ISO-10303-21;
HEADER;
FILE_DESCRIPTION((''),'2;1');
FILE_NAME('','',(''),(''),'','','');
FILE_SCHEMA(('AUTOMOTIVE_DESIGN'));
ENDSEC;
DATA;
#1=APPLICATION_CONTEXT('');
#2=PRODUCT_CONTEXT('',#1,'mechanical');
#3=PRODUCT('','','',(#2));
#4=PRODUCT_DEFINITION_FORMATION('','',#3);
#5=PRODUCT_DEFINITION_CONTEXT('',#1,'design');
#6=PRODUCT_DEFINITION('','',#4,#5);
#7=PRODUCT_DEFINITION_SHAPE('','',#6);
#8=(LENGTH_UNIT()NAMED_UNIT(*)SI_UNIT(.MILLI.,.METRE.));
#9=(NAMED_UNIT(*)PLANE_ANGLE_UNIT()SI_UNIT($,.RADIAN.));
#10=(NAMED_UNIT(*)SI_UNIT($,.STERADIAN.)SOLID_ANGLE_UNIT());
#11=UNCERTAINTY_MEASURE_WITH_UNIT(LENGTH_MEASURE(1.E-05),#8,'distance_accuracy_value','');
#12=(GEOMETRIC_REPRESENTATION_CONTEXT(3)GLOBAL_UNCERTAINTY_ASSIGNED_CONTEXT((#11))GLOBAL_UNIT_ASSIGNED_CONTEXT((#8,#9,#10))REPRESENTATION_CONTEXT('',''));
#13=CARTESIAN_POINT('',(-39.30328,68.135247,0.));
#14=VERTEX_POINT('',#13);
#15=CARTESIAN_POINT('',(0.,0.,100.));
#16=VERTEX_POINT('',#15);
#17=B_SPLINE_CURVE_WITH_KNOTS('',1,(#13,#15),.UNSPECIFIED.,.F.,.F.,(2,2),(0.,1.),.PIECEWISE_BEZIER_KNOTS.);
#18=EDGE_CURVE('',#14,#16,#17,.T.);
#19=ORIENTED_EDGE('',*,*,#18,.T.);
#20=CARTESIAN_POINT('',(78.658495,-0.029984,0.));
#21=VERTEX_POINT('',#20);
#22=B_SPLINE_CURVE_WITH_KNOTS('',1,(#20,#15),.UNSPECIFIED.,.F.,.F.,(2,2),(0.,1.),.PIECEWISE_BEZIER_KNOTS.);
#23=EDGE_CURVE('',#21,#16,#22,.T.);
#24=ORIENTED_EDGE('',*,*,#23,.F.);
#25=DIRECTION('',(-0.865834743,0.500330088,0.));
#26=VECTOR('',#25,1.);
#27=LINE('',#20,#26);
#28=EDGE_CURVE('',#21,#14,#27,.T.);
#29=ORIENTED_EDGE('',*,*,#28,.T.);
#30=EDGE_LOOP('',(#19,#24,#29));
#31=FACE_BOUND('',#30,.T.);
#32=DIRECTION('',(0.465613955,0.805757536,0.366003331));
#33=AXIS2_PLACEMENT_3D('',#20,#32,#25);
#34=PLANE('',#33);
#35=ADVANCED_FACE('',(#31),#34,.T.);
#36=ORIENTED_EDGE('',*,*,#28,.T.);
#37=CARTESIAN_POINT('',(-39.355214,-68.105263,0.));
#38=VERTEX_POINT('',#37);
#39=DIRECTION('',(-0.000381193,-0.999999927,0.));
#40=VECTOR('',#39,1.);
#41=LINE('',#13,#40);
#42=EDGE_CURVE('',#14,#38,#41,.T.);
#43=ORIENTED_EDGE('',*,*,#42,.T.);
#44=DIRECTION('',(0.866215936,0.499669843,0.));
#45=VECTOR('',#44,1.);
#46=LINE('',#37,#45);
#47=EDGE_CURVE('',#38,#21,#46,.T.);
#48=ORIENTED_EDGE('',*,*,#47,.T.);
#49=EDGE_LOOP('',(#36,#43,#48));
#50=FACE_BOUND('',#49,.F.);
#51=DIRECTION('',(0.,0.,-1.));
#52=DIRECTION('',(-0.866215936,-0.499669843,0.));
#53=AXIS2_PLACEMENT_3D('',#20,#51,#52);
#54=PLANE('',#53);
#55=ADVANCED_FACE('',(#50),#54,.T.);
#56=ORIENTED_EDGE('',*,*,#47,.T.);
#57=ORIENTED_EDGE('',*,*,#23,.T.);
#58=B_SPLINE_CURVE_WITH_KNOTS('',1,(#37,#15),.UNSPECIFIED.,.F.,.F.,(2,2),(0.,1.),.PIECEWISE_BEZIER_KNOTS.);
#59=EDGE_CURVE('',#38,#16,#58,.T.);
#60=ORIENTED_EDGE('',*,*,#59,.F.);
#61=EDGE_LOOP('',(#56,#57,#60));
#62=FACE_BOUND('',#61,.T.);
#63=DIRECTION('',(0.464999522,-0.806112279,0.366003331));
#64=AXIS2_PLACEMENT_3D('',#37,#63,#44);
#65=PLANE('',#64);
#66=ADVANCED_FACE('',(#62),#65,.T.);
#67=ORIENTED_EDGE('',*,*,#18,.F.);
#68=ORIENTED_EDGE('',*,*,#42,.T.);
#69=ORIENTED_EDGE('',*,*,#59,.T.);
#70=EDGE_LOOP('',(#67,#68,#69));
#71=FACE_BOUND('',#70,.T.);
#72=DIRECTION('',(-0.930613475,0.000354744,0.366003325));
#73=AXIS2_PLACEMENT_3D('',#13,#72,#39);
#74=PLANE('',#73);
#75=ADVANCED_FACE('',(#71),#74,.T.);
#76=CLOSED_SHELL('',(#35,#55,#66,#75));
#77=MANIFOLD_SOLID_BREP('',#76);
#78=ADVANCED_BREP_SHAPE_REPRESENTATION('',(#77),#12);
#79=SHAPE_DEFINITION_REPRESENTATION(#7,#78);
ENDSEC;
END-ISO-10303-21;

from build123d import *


with BuildPart() as f3:
    # F0 (on Top) → F3 section 0
    with BuildSketch(Plane.XY, mode=Mode.PRIVATE) as f3_s0:
        Polygon((78.658495, -0.029984), (-39.30328, 68.135247), (-39.355214, -68.105263), align=None)
    loft([f3_s0.sketch, Vertex(0, 0, 100)])


solid = f3.part
